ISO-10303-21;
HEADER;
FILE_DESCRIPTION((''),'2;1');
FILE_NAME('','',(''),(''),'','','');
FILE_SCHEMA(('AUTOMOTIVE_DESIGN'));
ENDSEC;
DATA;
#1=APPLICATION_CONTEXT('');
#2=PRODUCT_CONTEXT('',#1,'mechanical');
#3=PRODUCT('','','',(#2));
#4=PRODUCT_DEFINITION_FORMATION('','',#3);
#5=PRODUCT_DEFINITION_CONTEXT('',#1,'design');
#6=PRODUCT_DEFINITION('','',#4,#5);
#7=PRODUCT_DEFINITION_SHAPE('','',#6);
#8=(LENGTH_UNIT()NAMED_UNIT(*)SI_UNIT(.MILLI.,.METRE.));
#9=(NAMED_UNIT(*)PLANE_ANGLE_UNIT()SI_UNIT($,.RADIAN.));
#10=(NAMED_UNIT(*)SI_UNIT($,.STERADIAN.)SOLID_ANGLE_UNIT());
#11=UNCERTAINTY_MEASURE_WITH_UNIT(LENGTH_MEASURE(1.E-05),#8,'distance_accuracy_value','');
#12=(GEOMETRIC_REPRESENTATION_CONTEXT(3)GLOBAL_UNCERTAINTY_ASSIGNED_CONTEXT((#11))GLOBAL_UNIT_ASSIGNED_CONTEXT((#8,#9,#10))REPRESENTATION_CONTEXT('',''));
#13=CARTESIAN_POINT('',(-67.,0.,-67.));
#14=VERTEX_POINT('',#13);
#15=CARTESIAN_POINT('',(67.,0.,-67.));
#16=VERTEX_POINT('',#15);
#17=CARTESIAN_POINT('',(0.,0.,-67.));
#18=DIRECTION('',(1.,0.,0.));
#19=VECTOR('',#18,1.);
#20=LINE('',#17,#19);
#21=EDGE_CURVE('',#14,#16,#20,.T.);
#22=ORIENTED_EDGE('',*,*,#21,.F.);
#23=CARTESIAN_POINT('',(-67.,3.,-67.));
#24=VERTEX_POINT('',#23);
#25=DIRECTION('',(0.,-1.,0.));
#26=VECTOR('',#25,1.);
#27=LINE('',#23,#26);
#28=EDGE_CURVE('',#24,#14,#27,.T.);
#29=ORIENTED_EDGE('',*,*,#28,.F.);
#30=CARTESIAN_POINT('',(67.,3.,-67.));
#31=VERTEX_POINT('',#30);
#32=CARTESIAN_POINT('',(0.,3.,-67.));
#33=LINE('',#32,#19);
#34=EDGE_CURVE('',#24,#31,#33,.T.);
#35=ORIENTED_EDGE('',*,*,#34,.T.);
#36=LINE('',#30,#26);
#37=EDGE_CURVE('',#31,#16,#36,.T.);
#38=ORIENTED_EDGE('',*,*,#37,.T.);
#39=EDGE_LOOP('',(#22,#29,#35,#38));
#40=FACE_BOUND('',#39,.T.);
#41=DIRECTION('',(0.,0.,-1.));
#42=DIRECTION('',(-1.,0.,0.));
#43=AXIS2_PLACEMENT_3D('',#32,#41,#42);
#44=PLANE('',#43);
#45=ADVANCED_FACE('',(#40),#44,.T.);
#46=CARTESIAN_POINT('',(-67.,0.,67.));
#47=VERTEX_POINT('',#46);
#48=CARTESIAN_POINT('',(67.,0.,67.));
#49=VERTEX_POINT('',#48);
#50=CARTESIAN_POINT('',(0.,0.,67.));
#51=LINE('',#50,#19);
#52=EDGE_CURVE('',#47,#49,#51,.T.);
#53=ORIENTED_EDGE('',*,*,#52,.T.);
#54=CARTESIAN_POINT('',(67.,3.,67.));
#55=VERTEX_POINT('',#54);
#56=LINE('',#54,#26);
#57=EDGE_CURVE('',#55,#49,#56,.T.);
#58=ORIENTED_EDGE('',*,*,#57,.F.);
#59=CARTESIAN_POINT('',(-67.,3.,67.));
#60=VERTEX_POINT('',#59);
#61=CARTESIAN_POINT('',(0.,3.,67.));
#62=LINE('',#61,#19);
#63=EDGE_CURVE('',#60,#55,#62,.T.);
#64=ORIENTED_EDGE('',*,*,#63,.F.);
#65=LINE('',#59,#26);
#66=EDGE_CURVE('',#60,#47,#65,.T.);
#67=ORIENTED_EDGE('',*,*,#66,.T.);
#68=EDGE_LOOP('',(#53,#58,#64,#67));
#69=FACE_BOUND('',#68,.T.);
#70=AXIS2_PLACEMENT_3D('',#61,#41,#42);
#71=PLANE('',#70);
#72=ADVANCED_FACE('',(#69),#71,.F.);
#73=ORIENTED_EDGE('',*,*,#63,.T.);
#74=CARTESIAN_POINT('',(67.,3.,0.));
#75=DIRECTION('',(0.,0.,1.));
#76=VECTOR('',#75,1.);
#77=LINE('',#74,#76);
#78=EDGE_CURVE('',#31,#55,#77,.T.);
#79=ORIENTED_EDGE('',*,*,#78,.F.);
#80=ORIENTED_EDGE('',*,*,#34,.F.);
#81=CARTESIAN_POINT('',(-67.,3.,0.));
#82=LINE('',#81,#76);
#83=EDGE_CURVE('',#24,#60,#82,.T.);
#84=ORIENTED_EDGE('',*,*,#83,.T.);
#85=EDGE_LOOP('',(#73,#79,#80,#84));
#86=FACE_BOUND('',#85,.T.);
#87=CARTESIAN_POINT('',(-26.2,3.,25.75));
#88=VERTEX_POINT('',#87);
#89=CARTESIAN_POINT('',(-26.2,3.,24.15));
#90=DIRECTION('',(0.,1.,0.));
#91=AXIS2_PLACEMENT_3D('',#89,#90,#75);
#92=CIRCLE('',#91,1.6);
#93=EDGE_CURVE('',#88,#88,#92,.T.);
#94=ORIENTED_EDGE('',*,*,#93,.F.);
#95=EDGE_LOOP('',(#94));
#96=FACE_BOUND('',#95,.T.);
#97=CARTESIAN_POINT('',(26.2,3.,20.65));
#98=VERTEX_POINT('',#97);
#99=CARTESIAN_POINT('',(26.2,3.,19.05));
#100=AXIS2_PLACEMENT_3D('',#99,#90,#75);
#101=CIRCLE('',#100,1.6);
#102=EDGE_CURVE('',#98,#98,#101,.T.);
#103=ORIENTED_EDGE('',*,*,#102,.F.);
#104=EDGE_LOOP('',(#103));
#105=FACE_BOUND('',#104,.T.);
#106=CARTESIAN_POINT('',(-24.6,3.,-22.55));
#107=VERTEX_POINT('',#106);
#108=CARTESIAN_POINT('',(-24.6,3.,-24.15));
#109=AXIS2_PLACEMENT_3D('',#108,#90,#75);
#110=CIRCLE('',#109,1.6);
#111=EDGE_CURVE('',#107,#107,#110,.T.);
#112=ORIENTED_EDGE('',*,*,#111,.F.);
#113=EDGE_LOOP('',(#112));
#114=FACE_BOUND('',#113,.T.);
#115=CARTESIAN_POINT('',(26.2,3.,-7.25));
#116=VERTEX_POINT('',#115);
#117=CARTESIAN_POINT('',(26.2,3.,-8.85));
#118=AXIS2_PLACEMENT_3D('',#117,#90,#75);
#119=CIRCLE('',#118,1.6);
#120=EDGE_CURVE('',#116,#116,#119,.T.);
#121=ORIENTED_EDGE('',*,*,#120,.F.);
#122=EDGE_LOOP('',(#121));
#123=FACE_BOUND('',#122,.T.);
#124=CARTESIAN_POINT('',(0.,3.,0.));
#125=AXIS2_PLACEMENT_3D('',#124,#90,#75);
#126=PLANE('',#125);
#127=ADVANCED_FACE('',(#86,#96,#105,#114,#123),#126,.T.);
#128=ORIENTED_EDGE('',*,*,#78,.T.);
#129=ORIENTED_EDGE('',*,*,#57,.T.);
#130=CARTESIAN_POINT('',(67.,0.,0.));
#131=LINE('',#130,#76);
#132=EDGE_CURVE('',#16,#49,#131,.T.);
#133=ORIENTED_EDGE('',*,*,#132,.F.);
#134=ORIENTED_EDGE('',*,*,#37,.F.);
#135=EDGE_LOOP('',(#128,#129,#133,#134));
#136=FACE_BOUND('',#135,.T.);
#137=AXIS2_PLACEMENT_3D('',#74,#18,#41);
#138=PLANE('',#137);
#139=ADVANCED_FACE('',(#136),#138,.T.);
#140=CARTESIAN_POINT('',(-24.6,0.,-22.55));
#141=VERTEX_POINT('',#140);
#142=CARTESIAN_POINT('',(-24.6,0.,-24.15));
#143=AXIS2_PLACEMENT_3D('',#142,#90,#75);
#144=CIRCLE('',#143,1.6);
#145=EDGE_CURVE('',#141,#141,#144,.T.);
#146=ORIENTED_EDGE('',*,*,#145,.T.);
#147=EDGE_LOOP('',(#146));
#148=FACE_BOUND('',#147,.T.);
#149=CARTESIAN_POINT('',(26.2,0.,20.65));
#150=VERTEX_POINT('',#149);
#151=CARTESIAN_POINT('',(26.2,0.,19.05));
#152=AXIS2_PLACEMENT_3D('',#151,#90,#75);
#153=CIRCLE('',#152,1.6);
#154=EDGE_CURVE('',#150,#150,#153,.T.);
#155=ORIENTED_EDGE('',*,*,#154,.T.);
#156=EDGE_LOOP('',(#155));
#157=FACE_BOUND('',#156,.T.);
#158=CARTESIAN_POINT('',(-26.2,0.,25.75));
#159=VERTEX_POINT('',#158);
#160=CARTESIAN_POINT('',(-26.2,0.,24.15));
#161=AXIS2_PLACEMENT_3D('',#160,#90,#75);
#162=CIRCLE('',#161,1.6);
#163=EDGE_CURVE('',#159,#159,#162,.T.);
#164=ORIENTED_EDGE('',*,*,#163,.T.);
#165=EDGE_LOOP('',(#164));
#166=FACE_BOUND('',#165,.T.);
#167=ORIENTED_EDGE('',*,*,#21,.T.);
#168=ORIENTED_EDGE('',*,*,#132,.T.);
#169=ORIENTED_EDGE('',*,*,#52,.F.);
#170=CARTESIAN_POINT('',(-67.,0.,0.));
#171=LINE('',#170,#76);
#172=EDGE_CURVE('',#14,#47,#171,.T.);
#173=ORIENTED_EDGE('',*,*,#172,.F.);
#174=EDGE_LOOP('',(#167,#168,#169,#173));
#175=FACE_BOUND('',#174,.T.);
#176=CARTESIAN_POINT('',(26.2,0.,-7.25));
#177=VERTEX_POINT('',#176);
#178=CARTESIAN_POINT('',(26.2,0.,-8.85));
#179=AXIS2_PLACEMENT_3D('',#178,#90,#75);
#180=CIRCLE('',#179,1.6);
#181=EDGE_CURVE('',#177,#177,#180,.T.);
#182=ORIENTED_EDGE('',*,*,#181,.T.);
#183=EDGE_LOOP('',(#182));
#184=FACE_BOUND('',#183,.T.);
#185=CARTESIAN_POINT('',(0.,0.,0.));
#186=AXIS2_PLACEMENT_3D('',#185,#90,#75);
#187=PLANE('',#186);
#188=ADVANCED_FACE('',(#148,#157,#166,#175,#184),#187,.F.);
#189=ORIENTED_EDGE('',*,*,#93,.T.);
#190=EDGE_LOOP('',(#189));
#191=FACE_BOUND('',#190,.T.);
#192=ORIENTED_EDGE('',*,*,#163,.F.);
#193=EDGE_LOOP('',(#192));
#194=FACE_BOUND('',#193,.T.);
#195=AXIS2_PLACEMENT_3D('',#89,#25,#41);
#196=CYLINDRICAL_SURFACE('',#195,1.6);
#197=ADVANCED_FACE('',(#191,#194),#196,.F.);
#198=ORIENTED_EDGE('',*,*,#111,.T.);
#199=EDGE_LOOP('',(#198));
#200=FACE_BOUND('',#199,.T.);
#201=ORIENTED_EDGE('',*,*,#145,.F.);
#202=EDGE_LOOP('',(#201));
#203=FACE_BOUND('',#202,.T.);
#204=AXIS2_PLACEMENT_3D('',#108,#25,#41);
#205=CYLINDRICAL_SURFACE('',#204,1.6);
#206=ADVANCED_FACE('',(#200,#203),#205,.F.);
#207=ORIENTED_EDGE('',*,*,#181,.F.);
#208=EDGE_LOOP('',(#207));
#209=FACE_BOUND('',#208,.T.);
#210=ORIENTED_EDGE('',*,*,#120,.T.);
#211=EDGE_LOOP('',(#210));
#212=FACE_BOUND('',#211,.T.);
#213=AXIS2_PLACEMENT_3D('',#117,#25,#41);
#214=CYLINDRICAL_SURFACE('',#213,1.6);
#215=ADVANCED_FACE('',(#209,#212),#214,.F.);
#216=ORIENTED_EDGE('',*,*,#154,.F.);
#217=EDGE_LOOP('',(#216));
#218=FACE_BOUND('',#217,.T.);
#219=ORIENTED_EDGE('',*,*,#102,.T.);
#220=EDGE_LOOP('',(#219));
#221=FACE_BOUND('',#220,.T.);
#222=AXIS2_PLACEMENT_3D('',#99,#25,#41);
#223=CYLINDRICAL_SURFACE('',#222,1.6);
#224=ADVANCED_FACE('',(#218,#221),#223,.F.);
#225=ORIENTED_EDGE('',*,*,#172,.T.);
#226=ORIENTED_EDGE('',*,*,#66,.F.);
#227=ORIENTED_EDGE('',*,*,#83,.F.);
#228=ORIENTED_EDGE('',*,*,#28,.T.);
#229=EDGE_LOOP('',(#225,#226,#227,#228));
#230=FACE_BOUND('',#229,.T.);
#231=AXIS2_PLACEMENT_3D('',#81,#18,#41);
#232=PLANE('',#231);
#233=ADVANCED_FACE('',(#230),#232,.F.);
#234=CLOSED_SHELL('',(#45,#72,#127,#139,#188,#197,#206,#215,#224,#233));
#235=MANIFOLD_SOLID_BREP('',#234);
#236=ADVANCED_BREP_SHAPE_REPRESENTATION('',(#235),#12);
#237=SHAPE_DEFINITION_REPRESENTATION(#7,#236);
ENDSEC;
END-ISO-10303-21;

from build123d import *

# Parameters (mm, degrees)
SKETCH2_W           = 134
SKETCH2_H           = 134
SKETCH2_R           = 1.6
BOSS_EXTRUDE2_DEPTH = 3


with BuildPart() as part:
    # Sketch2 → Boss-Extrude2 (new body)
    with BuildSketch(Plane(origin=(0, 0, 0), x_dir=(1, 0, 0), z_dir=(0, 1, 0))):
        Rectangle(SKETCH2_W, SKETCH2_H)
        with Locations((-24.6, 24.15)):
            Circle(SKETCH2_R, mode=Mode.SUBTRACT)
        with Locations((-26.2, -24.15)):
            Circle(SKETCH2_R, mode=Mode.SUBTRACT)
        with Locations((26.2, 8.85)):
            Circle(SKETCH2_R, mode=Mode.SUBTRACT)
        with Locations((26.2, -19.05)):
            Circle(SKETCH2_R, mode=Mode.SUBTRACT)
    extrude(amount=BOSS_EXTRUDE2_DEPTH)


solid = part.part
